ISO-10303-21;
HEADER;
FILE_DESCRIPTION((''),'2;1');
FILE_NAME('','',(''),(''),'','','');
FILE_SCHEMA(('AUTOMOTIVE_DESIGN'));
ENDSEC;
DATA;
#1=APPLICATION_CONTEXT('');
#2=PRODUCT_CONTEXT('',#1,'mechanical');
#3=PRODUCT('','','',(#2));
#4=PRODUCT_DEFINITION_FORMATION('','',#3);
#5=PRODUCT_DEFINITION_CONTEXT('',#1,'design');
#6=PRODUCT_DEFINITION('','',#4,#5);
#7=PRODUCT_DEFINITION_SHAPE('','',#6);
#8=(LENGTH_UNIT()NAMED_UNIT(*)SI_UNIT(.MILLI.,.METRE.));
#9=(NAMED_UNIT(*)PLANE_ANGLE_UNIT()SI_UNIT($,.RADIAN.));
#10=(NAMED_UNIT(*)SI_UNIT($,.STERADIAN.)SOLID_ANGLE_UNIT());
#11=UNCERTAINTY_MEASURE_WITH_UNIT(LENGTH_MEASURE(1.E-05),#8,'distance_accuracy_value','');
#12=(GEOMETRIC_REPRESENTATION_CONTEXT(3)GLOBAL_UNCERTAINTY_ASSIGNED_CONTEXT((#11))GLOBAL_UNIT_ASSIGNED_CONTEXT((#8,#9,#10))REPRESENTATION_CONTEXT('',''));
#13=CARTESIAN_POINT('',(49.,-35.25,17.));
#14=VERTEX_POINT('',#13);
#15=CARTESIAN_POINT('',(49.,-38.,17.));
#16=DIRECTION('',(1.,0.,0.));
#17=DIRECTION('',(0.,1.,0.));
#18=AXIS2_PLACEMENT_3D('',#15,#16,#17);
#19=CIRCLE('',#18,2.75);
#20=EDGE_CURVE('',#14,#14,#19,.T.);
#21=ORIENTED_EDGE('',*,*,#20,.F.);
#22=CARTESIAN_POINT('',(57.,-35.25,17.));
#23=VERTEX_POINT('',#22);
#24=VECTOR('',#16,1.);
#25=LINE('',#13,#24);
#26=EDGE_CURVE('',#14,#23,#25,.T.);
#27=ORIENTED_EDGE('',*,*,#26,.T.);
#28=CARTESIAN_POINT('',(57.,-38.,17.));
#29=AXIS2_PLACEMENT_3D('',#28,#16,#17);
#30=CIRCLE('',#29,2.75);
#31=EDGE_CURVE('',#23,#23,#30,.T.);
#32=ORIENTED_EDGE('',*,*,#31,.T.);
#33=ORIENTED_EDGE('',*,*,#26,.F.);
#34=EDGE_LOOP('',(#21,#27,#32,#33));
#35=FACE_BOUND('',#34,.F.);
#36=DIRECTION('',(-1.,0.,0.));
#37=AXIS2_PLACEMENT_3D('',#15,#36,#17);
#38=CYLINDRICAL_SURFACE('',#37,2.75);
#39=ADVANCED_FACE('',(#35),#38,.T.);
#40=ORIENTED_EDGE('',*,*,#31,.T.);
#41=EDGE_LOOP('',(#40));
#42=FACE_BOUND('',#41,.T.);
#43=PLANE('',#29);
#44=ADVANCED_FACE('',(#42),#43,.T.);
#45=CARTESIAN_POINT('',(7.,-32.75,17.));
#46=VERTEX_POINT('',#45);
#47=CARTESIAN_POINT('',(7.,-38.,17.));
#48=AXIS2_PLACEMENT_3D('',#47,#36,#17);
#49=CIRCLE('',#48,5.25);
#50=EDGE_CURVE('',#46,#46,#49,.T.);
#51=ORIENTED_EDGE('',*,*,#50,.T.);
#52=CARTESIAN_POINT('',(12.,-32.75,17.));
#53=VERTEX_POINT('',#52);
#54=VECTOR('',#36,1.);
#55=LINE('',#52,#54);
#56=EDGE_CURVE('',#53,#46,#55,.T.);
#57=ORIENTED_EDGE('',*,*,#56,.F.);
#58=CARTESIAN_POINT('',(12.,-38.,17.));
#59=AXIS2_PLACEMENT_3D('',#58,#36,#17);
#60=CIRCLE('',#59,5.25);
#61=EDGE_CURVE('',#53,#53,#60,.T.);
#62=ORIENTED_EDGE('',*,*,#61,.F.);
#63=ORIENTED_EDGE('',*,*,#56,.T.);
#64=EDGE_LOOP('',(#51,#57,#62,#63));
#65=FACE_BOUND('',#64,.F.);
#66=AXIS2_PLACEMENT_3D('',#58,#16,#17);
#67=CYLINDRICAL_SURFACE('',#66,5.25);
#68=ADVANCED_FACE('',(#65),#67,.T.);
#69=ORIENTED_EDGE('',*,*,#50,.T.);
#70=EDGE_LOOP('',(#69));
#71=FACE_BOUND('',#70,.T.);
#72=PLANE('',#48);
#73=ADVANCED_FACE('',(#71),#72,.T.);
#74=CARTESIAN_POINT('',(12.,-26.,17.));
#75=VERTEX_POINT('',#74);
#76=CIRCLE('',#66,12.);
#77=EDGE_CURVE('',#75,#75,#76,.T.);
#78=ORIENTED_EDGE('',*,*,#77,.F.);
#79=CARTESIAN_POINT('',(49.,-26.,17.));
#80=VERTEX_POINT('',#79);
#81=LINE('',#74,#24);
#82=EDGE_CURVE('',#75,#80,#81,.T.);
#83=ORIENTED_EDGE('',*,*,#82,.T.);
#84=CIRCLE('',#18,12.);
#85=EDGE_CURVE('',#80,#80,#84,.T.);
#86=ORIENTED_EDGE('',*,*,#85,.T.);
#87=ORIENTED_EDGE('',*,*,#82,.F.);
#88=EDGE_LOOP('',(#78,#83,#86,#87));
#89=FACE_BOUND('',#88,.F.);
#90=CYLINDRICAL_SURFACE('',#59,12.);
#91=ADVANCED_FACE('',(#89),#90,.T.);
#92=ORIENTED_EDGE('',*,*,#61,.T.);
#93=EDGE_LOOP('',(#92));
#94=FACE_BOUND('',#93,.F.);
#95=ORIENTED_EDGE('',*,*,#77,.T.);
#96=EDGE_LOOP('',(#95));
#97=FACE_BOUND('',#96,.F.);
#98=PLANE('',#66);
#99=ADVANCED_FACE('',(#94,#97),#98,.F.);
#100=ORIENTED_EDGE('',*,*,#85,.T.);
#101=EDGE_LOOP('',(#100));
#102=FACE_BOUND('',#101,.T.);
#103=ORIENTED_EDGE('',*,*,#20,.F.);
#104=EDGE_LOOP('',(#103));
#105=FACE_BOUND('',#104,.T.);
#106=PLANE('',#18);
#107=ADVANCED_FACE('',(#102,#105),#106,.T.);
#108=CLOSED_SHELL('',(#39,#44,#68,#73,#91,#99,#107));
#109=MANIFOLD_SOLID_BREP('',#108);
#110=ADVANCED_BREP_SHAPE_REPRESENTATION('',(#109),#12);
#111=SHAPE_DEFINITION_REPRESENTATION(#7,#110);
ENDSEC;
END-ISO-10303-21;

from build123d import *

# Parameters (mm, degrees)
SKETCH005_R  = 12
PAD004_DEPTH = 37
SKETCH006_R  = 2.75
PAD005_DEPTH = 8
SKETCH007_R  = 5.25
PAD006_DEPTH = 5


with BuildPart() as part:
    # Sketch005 → Pad004 (new body)
    with BuildSketch(Plane.YZ):
        Circle(SKETCH005_R)
    extrude(amount=PAD004_DEPTH)

    # Sketch006 (on Face3 of Pad004) → Pad005 (join)
    with BuildSketch(Plane.YZ.offset(37)):
        Circle(SKETCH006_R)
    extrude(amount=PAD005_DEPTH)

    # Sketch007 (on Face2 of Pad005) → Pad006 (join)
    with BuildSketch(Plane(origin=(0, 0, 0), x_dir=(0, 1, 0), z_dir=(-1, 0, 0))):
        Circle(SKETCH007_R)
    extrude(amount=PAD006_DEPTH)


with BuildPart() as part_1:
    # Body002 placement: moved
    add(part.part.moved(Location((12, -38, 17))))


solid = part_1.part
